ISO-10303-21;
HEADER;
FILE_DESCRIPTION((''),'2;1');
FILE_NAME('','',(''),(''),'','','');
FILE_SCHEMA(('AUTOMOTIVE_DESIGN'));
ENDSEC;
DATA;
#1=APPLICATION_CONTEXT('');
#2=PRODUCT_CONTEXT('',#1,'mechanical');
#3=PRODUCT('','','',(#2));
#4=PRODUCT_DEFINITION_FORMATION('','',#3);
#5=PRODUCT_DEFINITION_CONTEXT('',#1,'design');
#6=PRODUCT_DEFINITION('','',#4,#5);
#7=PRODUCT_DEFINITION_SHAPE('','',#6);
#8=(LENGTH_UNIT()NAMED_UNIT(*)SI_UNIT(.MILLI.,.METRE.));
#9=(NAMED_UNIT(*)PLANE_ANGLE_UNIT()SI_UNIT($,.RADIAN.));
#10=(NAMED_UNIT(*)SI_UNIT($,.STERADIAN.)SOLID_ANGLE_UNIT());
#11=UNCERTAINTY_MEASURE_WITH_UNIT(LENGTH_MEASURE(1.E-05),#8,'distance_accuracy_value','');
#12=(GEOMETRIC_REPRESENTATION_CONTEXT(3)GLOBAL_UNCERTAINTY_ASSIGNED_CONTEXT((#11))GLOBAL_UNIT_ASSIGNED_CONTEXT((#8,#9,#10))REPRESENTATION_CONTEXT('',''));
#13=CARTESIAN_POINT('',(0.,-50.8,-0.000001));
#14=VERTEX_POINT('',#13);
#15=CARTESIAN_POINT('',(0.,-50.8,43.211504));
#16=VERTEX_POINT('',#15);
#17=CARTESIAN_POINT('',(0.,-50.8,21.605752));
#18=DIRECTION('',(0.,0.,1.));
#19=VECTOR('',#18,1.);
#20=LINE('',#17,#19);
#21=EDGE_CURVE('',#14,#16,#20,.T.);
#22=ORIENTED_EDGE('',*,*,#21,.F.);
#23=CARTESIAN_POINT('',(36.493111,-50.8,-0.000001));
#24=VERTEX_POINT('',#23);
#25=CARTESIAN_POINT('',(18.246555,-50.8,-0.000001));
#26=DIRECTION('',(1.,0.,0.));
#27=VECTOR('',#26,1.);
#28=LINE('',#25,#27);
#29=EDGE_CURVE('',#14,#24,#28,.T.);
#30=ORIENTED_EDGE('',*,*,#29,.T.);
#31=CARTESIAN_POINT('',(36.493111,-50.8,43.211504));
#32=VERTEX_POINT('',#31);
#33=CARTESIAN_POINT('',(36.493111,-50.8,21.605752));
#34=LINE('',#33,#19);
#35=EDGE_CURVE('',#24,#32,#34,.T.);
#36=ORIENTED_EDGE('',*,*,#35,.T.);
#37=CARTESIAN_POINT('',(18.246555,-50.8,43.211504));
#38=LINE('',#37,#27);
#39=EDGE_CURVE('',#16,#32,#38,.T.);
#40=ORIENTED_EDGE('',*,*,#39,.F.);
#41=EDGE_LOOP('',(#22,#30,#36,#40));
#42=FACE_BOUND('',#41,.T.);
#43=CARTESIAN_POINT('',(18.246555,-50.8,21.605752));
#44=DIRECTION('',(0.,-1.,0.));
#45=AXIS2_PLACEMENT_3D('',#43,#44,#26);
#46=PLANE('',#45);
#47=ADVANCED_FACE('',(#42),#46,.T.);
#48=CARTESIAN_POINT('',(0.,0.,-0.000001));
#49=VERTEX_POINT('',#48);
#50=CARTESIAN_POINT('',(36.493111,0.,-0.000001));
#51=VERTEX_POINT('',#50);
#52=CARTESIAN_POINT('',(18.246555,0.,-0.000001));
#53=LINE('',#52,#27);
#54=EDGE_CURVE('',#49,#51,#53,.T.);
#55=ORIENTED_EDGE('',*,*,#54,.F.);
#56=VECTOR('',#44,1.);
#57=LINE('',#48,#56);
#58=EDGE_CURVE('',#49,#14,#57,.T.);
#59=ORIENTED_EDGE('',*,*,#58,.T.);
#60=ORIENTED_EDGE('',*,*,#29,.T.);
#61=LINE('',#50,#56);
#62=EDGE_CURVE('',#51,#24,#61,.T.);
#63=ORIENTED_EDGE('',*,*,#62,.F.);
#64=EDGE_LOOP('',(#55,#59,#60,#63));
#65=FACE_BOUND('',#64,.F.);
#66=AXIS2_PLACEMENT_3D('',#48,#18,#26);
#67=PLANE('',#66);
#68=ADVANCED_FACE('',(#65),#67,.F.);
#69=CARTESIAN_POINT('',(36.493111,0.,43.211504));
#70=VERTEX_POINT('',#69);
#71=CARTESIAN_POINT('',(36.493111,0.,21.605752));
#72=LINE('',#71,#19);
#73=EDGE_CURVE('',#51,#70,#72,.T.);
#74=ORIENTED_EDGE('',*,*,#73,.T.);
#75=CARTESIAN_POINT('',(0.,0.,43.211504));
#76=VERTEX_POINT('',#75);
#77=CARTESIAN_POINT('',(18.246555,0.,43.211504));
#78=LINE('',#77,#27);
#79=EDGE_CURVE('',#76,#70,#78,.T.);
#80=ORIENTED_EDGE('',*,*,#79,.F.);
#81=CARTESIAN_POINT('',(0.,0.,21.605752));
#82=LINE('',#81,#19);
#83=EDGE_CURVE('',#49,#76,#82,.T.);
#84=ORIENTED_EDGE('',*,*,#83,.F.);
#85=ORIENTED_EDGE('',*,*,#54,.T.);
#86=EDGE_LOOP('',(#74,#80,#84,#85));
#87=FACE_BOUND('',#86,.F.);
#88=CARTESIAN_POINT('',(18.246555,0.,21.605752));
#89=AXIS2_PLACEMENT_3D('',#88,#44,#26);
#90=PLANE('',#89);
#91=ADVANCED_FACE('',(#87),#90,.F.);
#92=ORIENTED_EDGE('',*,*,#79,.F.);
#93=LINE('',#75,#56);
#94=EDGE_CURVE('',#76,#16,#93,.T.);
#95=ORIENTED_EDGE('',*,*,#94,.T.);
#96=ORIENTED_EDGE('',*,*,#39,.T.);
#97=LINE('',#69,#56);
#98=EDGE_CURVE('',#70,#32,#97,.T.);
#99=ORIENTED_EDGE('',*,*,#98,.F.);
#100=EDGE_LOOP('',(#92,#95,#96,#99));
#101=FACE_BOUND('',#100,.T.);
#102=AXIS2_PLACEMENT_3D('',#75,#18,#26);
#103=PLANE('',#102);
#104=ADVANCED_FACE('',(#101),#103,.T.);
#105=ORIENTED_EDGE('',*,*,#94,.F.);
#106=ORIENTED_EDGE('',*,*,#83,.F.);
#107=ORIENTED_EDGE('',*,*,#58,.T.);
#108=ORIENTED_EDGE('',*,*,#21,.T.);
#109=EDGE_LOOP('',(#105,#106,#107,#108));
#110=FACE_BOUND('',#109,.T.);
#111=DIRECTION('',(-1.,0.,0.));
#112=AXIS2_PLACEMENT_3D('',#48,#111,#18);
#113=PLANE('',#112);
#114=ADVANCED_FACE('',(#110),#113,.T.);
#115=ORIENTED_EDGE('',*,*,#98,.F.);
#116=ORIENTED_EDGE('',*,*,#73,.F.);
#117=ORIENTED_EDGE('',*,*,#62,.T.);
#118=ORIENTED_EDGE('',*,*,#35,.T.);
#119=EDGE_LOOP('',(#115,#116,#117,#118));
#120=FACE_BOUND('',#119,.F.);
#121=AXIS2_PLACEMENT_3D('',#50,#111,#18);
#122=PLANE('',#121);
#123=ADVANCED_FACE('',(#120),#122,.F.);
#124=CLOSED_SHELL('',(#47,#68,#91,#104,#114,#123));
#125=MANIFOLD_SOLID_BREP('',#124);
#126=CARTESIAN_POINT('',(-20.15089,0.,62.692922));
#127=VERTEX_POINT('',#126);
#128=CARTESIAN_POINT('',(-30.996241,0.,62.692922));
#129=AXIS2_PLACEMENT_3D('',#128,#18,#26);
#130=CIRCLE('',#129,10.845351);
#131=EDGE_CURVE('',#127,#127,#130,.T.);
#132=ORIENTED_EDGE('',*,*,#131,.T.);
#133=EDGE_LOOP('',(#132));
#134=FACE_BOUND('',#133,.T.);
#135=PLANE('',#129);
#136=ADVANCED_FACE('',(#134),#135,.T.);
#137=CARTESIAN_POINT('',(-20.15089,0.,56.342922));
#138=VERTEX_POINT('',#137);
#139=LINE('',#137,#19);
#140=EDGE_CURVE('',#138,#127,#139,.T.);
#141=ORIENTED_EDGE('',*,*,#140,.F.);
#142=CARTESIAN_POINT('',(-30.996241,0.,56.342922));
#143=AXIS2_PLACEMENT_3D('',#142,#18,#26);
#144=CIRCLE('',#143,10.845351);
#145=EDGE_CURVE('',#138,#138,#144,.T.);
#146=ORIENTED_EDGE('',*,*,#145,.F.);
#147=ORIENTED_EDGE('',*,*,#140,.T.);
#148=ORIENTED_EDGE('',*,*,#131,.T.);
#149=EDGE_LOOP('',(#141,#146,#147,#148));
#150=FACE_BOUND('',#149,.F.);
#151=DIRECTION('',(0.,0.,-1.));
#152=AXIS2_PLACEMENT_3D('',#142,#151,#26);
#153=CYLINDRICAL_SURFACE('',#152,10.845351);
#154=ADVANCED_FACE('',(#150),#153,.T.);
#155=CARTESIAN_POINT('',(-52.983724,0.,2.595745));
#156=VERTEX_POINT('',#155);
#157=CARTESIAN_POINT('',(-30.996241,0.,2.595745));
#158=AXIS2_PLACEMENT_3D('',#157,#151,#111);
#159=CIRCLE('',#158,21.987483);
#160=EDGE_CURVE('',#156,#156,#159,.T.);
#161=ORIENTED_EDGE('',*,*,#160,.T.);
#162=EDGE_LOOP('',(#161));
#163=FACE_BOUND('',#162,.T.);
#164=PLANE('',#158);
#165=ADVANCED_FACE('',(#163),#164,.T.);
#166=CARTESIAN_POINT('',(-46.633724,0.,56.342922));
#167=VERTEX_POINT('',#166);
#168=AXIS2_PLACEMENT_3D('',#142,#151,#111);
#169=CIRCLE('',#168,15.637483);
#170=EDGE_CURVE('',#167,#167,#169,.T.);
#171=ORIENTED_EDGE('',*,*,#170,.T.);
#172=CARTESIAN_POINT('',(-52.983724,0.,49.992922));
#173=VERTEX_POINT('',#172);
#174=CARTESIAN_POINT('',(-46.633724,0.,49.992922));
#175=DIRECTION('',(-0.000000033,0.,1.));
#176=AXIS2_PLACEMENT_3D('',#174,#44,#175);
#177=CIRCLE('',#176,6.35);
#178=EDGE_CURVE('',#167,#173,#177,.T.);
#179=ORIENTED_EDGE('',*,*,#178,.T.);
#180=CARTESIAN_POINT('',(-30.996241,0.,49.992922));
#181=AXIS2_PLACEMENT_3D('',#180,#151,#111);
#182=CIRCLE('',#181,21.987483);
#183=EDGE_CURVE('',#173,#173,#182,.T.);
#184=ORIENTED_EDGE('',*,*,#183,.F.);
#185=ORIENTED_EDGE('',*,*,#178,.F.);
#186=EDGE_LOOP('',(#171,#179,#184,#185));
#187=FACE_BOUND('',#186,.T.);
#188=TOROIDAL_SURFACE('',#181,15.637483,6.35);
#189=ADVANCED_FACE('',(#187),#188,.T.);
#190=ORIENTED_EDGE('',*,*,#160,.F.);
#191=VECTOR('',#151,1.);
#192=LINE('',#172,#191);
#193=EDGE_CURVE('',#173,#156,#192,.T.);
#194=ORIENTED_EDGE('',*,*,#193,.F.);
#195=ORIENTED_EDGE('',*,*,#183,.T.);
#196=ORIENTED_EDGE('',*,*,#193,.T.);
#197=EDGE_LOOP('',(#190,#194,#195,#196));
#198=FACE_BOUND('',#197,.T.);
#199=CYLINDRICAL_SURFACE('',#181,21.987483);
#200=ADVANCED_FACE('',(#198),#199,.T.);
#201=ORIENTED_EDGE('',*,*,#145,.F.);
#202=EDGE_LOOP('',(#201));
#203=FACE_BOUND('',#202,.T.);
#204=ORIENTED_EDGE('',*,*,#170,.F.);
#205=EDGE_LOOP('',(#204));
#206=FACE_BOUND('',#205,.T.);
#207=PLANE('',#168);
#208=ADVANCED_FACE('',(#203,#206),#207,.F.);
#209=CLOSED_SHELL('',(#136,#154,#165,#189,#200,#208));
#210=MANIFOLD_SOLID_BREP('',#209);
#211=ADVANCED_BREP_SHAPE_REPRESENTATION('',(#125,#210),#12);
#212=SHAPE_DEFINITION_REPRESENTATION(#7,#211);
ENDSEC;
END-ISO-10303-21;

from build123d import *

# Parameters (mm, degrees)
F0_W     = 36.493111
F0_H     = 43.211505
F1_DEPTH = 50.8
F4_R     = 10.845351
F5_DEPTH = 6.35


with BuildPart() as f1:
    # F0 (on Front) → F1 (new body)
    with BuildSketch(Plane.XZ):
        with Locations((18.246555, 21.605752)):
            Rectangle(F0_W, F0_H)
    extrude(amount=F1_DEPTH)


with BuildPart() as f3:
    # F2 (on Front) → F3 (revolve)
    with BuildSketch(Plane.XZ):
        with BuildLine():
            Line((-30.996241, 56.342922), (-46.633724, 56.342922))
            ThreePointArc((-46.633724, 56.342922), (-51.123852, 54.48305), (-52.983724, 49.992922))
            Line((-52.983724, 49.992922), (-52.983724, 2.595745))
            Line((-52.983724, 2.595745), (-30.996241, 2.595745))
            Line((-30.996241, 2.595745), (-30.996241, 56.342922))
        make_face()
    revolve(axis=Axis((-30.996241, 0, 29.469334), (0, 0, -1)))

    # F4 (on face) → F5 (join)
    with BuildSketch(Plane.XY.offset(56.342922)):
        with Locations((-30.996241, 0)):
            Circle(F4_R)
    extrude(amount=F5_DEPTH)


solid = Compound([f1.part, f3.part])
